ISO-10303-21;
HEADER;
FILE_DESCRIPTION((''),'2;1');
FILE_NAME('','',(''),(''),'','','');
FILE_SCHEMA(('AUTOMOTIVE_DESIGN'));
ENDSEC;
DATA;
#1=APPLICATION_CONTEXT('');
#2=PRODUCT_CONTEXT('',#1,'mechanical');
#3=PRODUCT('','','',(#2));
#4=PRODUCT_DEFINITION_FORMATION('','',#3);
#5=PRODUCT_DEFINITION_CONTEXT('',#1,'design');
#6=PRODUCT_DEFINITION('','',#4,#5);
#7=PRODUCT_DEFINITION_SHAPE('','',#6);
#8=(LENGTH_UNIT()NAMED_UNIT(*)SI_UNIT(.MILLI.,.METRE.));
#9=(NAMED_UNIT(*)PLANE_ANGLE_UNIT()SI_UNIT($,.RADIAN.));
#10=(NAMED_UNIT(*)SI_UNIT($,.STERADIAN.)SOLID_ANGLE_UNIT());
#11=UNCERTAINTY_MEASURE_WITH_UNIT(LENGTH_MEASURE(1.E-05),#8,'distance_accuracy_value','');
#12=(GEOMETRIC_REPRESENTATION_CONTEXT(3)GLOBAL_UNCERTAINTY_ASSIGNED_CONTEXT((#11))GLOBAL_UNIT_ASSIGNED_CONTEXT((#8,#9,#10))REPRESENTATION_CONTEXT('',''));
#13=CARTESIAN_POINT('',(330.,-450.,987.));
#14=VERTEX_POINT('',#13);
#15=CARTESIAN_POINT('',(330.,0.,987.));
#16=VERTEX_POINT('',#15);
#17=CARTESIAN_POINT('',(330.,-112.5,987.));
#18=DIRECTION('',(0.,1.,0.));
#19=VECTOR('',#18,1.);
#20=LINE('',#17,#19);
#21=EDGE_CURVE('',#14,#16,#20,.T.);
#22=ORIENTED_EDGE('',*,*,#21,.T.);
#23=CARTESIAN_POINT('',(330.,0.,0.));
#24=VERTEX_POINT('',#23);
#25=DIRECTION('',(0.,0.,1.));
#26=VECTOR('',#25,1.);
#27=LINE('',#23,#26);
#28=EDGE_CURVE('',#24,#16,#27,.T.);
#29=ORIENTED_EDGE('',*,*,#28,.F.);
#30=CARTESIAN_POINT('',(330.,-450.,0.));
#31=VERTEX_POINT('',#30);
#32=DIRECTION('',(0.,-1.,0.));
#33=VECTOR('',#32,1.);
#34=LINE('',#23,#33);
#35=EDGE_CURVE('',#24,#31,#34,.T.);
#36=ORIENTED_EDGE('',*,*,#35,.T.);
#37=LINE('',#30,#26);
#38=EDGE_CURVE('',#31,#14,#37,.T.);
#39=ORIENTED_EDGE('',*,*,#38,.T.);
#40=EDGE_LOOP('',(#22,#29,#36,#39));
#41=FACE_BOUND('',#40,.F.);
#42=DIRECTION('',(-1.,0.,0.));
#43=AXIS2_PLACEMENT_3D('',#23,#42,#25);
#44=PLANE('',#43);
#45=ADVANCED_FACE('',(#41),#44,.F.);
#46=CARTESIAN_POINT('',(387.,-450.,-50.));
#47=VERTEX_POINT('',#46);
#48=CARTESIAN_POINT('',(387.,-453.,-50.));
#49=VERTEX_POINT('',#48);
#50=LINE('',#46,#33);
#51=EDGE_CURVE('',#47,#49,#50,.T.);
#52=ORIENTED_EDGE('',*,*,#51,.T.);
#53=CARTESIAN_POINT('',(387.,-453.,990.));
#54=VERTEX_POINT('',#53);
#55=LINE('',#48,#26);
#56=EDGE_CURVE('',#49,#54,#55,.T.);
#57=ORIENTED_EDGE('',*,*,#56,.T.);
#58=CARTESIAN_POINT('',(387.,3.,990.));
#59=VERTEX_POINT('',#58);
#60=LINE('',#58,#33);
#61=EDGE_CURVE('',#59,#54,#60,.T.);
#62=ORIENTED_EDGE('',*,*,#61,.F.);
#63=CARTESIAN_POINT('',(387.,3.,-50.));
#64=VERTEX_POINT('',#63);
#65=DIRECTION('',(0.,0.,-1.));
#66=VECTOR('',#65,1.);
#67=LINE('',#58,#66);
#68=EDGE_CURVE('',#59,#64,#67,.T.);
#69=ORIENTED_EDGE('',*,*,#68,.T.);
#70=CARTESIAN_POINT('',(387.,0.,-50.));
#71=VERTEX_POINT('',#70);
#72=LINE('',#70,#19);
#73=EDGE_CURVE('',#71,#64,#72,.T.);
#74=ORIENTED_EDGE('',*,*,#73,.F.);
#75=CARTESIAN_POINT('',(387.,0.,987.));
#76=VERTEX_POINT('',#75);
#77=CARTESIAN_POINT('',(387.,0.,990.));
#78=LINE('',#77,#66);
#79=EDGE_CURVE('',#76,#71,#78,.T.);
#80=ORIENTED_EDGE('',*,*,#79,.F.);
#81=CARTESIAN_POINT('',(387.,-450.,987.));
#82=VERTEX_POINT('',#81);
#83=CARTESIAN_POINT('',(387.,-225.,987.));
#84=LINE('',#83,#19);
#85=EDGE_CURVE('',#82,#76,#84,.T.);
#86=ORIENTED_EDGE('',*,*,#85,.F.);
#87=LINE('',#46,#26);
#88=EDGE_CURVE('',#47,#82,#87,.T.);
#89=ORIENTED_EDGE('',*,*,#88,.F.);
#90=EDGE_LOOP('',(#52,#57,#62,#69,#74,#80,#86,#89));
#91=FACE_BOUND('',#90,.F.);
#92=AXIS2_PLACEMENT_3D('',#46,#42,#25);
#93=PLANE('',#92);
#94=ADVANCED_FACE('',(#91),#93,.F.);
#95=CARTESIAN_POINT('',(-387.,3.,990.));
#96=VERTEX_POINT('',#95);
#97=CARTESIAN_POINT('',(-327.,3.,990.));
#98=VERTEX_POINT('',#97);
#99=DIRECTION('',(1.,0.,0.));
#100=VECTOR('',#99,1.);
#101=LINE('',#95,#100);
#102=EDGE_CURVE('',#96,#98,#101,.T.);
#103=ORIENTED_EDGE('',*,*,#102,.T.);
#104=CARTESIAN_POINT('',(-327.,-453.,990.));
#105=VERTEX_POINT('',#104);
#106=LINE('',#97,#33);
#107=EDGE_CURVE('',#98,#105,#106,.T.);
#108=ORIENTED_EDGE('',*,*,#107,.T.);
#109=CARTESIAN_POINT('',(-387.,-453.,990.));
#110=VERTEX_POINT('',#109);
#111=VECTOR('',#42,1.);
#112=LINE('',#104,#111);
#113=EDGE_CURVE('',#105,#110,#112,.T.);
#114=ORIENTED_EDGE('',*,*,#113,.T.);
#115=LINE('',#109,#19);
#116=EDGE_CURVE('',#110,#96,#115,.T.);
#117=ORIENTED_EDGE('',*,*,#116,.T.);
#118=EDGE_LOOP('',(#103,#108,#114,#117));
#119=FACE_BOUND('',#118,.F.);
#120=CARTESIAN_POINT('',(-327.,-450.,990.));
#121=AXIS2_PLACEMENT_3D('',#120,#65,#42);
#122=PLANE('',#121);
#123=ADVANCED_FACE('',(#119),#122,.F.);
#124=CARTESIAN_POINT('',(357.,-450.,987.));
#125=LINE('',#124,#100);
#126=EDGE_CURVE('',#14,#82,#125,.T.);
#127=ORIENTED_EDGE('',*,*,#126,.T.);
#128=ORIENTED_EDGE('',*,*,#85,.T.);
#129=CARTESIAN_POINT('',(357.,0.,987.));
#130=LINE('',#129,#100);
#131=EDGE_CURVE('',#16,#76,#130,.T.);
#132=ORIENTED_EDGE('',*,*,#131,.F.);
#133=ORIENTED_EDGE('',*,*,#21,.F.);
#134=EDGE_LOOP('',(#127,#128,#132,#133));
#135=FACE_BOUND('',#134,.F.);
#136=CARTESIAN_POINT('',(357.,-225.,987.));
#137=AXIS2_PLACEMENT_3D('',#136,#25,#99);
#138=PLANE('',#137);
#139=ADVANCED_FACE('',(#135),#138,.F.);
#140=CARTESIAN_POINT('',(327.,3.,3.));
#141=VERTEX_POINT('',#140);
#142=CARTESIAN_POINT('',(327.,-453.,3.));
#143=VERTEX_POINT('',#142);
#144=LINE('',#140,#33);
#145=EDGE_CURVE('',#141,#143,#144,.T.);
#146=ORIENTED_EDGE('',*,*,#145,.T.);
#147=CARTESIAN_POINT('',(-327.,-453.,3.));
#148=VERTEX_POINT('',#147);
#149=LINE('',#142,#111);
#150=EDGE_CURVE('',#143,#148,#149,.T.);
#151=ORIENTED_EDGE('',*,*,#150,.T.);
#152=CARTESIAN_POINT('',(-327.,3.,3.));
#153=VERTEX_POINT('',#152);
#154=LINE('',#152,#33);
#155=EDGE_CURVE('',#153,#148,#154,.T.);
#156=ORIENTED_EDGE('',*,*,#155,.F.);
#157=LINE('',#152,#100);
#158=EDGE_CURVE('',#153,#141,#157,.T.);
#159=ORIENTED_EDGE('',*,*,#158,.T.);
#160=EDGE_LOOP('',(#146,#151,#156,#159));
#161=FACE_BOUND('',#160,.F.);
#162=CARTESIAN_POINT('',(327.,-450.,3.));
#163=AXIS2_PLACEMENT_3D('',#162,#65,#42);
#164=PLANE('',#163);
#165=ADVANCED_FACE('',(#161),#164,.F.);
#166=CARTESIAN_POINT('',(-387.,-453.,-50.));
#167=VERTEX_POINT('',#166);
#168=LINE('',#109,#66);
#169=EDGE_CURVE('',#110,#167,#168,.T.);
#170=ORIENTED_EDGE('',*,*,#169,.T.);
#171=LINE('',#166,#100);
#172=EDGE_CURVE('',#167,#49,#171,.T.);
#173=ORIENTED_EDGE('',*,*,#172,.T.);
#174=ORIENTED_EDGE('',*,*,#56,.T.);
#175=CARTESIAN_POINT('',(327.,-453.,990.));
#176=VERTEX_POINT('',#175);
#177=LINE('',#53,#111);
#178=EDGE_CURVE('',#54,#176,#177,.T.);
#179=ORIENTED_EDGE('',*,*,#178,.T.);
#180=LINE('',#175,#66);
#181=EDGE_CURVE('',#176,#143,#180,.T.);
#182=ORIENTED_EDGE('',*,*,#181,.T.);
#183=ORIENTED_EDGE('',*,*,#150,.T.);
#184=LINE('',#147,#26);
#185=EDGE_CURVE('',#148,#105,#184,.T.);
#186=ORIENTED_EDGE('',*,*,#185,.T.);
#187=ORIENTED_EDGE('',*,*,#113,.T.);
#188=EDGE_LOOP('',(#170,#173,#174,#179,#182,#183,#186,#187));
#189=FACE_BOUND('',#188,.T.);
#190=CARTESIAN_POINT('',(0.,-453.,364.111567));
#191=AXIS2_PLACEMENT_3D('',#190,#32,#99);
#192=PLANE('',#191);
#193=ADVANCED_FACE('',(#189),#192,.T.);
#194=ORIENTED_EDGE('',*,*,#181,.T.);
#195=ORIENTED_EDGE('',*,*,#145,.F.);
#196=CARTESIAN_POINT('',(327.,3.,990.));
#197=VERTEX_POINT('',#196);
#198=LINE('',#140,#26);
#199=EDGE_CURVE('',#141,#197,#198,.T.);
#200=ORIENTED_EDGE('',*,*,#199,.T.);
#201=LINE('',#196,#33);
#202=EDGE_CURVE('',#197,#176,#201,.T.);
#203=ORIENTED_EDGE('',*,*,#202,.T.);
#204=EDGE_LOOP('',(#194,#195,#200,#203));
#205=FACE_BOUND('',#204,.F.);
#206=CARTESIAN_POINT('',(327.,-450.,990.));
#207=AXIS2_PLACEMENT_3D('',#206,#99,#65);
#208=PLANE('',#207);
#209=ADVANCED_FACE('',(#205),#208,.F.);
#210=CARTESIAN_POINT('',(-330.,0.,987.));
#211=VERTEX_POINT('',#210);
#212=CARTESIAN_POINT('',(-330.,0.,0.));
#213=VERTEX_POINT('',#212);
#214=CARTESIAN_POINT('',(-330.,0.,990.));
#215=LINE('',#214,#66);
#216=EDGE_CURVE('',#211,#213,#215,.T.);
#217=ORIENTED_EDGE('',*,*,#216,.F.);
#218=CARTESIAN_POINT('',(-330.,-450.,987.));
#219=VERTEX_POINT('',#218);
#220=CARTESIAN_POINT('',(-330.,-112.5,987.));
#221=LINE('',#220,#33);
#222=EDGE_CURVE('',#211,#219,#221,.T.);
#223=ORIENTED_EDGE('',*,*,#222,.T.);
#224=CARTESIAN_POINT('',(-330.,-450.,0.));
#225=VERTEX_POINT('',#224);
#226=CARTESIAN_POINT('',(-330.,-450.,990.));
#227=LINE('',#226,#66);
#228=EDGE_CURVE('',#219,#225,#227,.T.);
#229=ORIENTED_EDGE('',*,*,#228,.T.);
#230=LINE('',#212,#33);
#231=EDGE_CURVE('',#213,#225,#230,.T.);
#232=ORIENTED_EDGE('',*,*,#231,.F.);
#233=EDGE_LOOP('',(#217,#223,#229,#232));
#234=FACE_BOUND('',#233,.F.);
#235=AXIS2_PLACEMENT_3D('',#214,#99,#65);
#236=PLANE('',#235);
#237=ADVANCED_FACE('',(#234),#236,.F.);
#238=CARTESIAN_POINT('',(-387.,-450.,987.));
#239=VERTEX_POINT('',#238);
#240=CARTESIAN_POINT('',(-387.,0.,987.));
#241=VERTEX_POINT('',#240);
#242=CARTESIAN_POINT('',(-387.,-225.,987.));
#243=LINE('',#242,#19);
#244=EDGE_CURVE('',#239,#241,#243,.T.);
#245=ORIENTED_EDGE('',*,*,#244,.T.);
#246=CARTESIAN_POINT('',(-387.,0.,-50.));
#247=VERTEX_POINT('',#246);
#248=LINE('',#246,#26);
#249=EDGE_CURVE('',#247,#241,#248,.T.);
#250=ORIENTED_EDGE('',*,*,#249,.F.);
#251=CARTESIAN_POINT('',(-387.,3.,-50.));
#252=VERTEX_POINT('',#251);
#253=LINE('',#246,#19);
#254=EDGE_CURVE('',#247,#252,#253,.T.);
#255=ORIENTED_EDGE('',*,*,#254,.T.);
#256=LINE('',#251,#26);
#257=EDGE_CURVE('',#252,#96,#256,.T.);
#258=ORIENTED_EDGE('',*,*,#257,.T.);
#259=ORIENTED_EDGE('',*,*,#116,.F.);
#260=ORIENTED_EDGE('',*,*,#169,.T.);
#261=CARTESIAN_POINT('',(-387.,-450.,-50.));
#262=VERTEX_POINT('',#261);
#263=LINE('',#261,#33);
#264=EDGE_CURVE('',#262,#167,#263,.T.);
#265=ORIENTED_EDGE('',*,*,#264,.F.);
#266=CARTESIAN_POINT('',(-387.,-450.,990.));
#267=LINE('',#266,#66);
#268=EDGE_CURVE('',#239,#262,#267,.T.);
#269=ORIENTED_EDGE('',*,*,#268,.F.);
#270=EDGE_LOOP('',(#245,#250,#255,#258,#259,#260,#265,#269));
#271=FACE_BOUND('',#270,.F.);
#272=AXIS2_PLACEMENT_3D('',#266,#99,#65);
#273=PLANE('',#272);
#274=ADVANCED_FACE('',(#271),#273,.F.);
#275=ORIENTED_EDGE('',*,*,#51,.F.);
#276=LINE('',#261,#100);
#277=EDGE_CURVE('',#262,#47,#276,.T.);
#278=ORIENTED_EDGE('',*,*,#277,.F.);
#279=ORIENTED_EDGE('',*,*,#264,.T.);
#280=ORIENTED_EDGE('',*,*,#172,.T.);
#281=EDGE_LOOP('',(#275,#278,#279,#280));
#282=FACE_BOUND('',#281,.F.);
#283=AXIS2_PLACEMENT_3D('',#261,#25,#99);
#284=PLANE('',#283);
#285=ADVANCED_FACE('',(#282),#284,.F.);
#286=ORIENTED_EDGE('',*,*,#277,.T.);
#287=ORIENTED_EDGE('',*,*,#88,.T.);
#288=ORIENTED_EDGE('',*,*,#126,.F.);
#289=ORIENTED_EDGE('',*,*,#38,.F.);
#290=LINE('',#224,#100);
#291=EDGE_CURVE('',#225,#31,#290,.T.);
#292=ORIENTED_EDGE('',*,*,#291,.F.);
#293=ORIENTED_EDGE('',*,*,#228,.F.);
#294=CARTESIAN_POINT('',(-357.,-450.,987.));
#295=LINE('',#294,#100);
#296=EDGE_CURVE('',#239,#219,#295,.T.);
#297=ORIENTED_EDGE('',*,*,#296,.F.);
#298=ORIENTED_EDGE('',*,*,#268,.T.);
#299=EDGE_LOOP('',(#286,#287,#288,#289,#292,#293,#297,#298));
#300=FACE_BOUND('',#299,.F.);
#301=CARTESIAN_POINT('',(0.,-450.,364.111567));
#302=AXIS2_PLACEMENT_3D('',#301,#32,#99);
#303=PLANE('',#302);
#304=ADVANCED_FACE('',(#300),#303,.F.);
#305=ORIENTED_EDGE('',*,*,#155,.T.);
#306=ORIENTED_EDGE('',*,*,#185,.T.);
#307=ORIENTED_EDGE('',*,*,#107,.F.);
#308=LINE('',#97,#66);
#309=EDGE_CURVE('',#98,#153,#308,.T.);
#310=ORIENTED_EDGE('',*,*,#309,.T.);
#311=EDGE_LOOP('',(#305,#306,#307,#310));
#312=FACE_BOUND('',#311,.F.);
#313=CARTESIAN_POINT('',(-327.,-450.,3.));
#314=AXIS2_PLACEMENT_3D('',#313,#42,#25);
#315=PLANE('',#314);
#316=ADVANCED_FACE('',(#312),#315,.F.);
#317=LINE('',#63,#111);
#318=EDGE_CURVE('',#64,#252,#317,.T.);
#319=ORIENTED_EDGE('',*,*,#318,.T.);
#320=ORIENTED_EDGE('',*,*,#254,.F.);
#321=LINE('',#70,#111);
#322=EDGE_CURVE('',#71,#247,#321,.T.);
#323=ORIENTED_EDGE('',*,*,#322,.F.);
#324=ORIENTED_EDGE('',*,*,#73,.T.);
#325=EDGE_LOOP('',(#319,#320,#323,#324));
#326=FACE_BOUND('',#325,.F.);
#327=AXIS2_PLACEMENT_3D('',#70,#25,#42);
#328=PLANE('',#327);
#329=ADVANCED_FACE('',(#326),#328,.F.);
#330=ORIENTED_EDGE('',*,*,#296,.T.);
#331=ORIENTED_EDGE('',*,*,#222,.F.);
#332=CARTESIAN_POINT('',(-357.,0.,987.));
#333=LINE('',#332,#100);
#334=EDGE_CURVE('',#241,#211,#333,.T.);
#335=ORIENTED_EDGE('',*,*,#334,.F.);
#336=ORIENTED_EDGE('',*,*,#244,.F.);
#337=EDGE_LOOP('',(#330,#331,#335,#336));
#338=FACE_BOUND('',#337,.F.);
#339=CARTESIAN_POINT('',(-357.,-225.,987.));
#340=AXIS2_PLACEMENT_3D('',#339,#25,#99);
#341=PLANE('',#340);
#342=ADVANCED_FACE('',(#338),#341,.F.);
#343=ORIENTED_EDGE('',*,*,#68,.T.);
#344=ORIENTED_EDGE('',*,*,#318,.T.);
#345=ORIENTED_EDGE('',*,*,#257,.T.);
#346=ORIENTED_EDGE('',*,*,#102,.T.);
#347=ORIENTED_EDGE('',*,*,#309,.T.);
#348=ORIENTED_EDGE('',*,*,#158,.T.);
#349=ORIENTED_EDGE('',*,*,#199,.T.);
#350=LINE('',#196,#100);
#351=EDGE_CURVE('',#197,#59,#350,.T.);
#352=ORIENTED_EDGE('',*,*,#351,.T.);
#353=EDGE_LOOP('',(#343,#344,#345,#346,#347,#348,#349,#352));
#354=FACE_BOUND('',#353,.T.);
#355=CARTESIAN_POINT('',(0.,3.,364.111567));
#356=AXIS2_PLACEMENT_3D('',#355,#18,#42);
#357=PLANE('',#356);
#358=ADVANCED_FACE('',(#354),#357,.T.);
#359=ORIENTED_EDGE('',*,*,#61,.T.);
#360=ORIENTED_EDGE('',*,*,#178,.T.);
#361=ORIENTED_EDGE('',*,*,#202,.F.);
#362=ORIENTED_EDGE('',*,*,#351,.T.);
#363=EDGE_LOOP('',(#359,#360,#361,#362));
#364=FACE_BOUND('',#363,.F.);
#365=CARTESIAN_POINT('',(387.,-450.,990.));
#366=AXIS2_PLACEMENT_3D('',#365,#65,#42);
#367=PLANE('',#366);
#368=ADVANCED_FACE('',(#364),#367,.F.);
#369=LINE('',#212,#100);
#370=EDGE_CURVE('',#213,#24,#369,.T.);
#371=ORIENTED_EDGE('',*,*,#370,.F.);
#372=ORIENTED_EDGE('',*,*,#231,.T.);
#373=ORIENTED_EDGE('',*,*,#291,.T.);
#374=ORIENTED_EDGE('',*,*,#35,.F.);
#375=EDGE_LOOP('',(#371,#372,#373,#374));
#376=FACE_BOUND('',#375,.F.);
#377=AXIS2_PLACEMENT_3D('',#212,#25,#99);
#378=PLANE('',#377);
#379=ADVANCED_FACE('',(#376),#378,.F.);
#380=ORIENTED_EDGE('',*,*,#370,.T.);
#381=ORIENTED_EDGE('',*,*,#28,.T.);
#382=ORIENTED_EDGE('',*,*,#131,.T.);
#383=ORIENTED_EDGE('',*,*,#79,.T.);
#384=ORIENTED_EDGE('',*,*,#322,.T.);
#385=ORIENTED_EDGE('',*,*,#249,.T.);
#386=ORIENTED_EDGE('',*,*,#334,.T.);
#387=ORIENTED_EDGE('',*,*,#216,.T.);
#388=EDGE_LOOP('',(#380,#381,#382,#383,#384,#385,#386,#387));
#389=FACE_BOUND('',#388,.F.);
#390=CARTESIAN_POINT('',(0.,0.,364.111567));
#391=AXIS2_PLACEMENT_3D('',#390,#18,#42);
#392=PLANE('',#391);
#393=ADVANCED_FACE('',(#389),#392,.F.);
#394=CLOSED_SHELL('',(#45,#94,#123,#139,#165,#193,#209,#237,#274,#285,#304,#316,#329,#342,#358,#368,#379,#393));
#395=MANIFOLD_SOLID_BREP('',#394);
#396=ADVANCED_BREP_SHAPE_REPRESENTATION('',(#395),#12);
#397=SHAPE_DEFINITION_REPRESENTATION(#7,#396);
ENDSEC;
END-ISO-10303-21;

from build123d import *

# Parameters (mm, degrees)
F1_DEPTH = 450
F2_T     = -3
F3_W     = 60
F3_H     = 450
F4_DEPTH = 3
F6_DEPTH = 3
F8_DEPTH = 3


with BuildPart() as f1:
    # F0 (on Front) → F1 (new body)
    with BuildSketch(Plane.XZ):
        Polygon((330, 990), (-330, 990), (-330, 0), (0, 0), (330, 0), align=None)
    extrude(amount=F1_DEPTH)

    # F2
    f2_openings = [f1.faces().sort_by_distance(p)[0] for p in [
        (0, -450, 495),
        (0, -225, 990),
        (0, 0, 495),
    ]]
    offset(amount=F2_T, openings=f2_openings)

    # F3 (on face) → F4 (join)
    with BuildSketch(Plane.XY.offset(990)):
        with Locations((-357, -225)):
            Rectangle(F3_W, F3_H)
        with Locations((357, -225)):
            Rectangle(F3_W, F3_H)
    extrude(amount=-F4_DEPTH)

    # F5 (on face) → F6 (join)
    with BuildSketch(Plane(origin=(0, 0, 0), x_dir=(-1, 0, 0), z_dir=(0, 1, 0))):
        Polygon((387, 990), (327, 990), (327, 3), (-327, 3), (-327, 990), (-387, 990), (-387, -50), (22.530401, -50), (387, -50), align=None)
    extrude(amount=F6_DEPTH)

    # F7 (on face) → F8 (join)
    with BuildSketch(Plane.XZ.offset(450)):
        Polygon((387, -50), (387, 990), (327, 990), (327, 3), (-327, 3), (-327, 990), (-387, 990), (-387, -50), (35.580868, -50), align=None)
    extrude(amount=F8_DEPTH)


solid = f1.part
